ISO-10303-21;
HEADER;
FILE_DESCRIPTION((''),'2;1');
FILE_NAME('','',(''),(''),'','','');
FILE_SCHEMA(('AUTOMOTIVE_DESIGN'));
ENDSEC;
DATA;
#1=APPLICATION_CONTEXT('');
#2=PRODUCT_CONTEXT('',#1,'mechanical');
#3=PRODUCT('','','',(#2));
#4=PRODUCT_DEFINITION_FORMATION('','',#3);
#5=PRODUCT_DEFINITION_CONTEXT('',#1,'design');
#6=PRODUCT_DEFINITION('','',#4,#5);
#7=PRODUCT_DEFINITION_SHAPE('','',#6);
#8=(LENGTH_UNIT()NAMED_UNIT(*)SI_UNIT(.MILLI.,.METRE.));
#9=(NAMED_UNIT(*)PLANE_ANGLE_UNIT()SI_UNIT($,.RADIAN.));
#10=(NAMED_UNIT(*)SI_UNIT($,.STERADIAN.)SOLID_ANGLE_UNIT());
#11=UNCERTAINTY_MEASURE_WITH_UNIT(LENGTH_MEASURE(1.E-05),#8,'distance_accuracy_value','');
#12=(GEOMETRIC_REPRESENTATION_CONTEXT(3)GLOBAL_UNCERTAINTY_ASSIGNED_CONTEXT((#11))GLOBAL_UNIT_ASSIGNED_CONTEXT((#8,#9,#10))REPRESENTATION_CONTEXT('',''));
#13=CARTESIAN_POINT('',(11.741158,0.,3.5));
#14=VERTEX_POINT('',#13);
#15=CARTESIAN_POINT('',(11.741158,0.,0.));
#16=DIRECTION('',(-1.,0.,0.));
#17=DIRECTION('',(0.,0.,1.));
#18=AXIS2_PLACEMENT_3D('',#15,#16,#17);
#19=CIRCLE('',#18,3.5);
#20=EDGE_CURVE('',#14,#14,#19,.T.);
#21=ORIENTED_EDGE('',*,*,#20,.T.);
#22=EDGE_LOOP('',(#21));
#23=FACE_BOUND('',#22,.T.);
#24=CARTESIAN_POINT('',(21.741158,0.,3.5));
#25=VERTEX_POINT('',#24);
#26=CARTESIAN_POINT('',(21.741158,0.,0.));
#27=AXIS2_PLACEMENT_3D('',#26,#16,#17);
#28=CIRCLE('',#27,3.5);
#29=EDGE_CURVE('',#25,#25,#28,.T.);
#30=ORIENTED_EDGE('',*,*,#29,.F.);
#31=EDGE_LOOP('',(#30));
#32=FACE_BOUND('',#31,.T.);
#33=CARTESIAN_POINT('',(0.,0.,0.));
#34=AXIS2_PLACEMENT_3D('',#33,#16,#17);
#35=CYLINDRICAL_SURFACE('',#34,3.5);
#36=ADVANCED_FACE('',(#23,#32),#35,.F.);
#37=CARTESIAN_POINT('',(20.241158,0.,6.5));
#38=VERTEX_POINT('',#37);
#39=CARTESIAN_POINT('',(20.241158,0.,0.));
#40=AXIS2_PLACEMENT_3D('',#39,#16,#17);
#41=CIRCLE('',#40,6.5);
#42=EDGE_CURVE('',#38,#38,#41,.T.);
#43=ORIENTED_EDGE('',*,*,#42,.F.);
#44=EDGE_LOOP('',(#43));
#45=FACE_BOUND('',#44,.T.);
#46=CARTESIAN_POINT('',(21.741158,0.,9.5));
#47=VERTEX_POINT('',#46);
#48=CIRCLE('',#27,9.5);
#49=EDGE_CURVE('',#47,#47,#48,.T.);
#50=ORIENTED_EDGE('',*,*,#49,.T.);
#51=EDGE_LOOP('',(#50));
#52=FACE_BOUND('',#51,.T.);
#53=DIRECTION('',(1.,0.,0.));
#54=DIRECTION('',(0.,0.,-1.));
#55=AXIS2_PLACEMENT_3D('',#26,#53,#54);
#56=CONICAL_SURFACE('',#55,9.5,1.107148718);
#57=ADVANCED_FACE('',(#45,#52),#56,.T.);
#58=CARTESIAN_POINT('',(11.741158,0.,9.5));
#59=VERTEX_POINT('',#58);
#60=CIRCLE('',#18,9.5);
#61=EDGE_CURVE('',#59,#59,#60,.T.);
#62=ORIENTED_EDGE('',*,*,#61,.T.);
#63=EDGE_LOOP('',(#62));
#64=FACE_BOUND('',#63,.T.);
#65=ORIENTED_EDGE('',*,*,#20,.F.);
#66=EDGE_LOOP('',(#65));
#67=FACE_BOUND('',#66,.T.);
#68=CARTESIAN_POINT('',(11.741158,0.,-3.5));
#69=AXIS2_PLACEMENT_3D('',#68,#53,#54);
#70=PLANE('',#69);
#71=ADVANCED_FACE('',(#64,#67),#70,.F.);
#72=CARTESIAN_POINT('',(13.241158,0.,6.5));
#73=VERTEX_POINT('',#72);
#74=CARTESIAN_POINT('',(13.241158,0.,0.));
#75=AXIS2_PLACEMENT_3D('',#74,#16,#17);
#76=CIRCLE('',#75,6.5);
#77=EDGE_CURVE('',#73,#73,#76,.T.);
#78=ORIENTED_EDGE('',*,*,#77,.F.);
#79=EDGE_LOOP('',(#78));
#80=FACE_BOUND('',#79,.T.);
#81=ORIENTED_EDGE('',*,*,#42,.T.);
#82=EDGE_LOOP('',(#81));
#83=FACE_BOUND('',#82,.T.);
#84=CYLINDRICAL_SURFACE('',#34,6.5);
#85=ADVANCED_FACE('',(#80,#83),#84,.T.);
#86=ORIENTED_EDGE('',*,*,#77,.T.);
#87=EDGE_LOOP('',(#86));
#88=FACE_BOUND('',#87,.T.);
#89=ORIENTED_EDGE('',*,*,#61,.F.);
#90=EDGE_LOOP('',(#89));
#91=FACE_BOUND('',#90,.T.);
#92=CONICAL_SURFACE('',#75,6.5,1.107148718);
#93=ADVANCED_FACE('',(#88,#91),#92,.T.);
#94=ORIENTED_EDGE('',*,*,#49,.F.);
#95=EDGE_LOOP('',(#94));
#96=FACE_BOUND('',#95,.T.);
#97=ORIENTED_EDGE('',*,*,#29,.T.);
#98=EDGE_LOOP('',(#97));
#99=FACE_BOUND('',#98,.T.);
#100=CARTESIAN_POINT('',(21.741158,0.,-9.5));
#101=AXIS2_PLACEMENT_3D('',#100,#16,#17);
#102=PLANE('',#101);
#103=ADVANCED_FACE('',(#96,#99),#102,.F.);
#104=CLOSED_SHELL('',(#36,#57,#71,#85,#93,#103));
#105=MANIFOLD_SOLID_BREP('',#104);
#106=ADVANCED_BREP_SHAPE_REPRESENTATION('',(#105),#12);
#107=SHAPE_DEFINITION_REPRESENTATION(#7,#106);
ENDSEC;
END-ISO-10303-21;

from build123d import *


with BuildPart() as part:
    # Sketch1 → Revolve1 (revolve)
    with BuildSketch(Plane(origin=(0, 0, 0), x_dir=(1, 0, 0), z_dir=(0, 1, 0))):
        Polygon((21.741158446, 3.5), (11.741158446, 3.5), (11.741158446, 9.5), (13.241158446, 6.5), (20.241158446, 6.5), (21.741158446, 9.5), align=None)
    revolve(axis=Axis((0, 0, 0), (1, 0, 0)))


solid = part.part
